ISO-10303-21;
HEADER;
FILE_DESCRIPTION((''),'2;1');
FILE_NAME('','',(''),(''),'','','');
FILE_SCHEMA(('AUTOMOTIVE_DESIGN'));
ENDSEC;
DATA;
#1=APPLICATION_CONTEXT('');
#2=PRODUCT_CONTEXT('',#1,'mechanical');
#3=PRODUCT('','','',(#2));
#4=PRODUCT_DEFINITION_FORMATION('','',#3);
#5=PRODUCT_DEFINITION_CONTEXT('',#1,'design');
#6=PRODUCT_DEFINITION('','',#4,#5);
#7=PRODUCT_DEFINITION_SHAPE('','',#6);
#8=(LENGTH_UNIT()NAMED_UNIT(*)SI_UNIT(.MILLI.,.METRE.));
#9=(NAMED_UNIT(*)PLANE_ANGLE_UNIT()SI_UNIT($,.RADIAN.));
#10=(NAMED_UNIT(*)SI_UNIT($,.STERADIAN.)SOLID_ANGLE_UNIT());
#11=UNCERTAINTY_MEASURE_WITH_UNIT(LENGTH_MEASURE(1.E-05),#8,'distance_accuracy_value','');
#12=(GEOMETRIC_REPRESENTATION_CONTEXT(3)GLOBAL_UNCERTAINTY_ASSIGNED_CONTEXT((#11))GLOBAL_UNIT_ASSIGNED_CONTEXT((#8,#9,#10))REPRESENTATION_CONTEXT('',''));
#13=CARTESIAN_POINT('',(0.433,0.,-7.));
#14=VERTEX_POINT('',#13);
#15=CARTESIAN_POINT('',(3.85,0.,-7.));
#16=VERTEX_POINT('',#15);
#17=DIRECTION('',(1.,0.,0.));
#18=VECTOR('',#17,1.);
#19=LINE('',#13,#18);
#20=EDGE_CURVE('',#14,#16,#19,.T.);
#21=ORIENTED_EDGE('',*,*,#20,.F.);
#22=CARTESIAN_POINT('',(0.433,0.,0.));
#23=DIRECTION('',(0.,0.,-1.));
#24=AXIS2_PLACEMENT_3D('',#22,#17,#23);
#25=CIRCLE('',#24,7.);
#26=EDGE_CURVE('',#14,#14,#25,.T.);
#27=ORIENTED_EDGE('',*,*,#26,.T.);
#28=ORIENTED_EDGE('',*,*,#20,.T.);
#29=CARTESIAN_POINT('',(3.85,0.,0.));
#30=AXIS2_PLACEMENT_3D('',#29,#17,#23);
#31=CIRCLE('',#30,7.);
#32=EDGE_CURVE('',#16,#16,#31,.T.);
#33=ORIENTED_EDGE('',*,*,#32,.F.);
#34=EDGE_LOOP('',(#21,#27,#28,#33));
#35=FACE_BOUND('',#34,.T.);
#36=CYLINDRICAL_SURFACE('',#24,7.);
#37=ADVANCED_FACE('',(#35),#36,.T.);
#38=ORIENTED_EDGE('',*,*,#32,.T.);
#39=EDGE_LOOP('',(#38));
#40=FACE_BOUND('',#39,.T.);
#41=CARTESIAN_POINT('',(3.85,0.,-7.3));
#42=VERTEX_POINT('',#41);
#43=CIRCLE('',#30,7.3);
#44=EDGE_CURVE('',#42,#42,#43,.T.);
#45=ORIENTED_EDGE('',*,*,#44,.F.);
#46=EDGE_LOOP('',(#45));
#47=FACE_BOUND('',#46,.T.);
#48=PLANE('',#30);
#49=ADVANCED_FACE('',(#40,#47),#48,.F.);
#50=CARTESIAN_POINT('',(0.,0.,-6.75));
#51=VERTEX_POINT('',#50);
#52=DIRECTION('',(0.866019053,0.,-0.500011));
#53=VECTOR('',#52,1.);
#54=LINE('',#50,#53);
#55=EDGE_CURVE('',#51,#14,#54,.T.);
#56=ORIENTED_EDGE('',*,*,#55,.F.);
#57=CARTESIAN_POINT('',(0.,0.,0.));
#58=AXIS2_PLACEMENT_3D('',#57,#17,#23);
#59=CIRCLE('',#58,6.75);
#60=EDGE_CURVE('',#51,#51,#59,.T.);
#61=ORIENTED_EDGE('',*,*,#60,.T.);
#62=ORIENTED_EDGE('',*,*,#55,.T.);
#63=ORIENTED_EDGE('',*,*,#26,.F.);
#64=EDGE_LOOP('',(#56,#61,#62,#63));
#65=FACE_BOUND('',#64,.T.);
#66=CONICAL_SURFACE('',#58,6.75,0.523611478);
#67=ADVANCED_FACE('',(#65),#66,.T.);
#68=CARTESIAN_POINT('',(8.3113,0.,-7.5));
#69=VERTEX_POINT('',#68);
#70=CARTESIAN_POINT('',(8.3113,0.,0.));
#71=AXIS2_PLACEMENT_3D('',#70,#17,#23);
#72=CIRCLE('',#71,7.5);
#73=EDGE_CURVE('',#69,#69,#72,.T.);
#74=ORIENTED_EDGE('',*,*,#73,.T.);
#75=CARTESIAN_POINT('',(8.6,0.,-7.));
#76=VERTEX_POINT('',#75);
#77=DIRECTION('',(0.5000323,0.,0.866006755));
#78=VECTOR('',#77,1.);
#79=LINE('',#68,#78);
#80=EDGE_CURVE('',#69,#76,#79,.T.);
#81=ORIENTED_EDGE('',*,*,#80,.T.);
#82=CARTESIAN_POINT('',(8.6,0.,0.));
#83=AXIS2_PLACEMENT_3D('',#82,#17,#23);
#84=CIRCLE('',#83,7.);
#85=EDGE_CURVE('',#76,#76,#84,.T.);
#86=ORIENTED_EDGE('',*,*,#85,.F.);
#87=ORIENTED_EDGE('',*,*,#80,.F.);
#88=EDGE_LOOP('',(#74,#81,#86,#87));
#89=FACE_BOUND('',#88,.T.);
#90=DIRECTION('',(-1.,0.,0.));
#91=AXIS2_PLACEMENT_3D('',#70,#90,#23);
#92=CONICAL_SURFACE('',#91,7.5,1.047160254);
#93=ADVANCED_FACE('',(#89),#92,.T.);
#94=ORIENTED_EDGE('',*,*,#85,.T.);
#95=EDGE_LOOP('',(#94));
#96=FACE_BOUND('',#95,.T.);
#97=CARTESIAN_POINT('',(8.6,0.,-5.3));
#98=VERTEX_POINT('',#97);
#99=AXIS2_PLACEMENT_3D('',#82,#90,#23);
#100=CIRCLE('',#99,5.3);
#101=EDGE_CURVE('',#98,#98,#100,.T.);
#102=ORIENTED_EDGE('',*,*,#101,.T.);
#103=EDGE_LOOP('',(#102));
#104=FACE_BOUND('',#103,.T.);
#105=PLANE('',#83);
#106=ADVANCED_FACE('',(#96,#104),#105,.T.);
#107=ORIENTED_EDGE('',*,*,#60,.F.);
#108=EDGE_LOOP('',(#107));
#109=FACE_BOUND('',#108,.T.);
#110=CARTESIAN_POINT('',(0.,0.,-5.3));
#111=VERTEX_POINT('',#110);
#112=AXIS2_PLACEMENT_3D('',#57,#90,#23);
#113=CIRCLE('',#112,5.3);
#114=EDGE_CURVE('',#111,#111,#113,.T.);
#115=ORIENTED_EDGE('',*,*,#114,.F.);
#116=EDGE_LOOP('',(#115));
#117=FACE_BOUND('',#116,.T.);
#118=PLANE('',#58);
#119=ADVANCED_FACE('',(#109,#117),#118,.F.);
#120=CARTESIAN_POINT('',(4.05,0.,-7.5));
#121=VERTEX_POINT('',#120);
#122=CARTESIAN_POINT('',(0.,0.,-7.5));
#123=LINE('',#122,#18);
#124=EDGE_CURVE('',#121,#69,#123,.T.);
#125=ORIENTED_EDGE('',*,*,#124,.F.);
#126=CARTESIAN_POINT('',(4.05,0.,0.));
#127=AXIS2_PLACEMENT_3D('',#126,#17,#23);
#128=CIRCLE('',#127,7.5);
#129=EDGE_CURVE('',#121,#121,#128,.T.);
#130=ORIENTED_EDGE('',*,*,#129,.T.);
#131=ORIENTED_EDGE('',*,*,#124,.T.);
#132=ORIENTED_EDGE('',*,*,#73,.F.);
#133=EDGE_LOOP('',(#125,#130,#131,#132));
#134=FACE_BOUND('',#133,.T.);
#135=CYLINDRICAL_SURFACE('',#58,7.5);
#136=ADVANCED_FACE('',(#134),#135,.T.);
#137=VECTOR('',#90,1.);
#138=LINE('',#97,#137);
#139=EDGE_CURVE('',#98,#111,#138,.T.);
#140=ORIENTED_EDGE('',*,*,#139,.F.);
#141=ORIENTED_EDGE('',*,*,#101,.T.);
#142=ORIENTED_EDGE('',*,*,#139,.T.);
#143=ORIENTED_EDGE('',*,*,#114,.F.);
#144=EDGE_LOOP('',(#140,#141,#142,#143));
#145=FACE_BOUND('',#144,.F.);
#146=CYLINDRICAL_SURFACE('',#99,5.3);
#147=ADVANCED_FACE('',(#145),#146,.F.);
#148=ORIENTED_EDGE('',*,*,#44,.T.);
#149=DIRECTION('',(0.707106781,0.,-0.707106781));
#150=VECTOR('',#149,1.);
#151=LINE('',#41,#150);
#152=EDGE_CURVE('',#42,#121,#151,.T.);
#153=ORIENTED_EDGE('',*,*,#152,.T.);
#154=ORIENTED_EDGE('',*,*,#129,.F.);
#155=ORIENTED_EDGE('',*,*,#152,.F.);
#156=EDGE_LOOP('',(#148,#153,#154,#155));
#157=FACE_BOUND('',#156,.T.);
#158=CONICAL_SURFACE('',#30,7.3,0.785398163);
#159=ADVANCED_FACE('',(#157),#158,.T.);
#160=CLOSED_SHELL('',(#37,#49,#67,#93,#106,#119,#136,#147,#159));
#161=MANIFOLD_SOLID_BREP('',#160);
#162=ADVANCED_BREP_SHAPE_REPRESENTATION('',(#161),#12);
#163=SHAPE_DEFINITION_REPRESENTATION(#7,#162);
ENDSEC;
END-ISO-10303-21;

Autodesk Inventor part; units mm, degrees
sketch "Sketch_1" plane through (0, 0, 0) normal (0, 1, 0) x (-1, 0, 0)
  line L0 (-8.6, 0) -> (0, 0)
  line L1 (0, 0) -> (0, -7.5)
  line L2 (0, -7.5) -> (-8.3113, -7.5)
  line L3 (-8.3113, -7.5) -> (-8.6, -7)
  line L4 (-8.6, -7) -> (-8.6, 0)
  line L5 (-8.6, 0) -> (0, 0)
revolve "Revolution1" add sketch "Sketch_1" angle 360 about axis through (8.6, 0, 0) along (1, 0, 0)
sketch "Sketch_2" plane through (0, 0, 0) normal (0, 1, 0) x (-1, 0, 0)
  line L0 (-50, 0) -> (50, 0)
  line L1 (0, -6.75) -> (-0.433, -7)
  line L2 (-0.433, -7) -> (-3.85, -7)
  line L3 (-3.85, -7) -> (-3.85, -7.5)
  line L4 (-3.85, -7.5) -> (0, -7.5)
  line L5 (0, -7.5) -> (0, -6.75)
revolve "Revolution2" cut sketch "Sketch_2" angle 360 about axis through (50, 0, 0) along (1, 0, 0)
sketch "Sketch_3" plane through (0, 0, 0) normal (0, 1, 0) x (-1, 0, 0)
  line L0 (-50, 0) -> (50, 0)
  line L1 (-3.85, -7.5) -> (-3.85, -7.3)
  line L2 (-3.85, -7.3) -> (-4.05, -7.5)
  line L3 (-4.05, -7.5) -> (-3.85, -7.5)
revolve "Revolution3" cut sketch "Sketch_3" angle 360 about axis through (50, 0, 0) along (1, 0, 0)
sketch "Sketch4" plane through (8.6, 0, 0) normal (1, 0, 0) x (0, 0, -1)
  point P0 (0, 0)
hole "Hole1" at (8.6, 0, 0) direction (-1, 0, 0) diameter 10.6 depth 8.6
ref_plane "gba_XY" through (8.6, 0, 0) normal (1, 0, 0) x (0, 0, -1)
ref_plane "gba_YZ" through (8.6, 0, 0) normal (0, 0, -1) x (0, 1, 0)
ref_plane "gba_ZX" through (8.6, 0, 0) normal (0, 1, 0) x (1, 0, 0)
properties part number "SCHUNK-9951430 Zentrierhuelse PGN-plus"
